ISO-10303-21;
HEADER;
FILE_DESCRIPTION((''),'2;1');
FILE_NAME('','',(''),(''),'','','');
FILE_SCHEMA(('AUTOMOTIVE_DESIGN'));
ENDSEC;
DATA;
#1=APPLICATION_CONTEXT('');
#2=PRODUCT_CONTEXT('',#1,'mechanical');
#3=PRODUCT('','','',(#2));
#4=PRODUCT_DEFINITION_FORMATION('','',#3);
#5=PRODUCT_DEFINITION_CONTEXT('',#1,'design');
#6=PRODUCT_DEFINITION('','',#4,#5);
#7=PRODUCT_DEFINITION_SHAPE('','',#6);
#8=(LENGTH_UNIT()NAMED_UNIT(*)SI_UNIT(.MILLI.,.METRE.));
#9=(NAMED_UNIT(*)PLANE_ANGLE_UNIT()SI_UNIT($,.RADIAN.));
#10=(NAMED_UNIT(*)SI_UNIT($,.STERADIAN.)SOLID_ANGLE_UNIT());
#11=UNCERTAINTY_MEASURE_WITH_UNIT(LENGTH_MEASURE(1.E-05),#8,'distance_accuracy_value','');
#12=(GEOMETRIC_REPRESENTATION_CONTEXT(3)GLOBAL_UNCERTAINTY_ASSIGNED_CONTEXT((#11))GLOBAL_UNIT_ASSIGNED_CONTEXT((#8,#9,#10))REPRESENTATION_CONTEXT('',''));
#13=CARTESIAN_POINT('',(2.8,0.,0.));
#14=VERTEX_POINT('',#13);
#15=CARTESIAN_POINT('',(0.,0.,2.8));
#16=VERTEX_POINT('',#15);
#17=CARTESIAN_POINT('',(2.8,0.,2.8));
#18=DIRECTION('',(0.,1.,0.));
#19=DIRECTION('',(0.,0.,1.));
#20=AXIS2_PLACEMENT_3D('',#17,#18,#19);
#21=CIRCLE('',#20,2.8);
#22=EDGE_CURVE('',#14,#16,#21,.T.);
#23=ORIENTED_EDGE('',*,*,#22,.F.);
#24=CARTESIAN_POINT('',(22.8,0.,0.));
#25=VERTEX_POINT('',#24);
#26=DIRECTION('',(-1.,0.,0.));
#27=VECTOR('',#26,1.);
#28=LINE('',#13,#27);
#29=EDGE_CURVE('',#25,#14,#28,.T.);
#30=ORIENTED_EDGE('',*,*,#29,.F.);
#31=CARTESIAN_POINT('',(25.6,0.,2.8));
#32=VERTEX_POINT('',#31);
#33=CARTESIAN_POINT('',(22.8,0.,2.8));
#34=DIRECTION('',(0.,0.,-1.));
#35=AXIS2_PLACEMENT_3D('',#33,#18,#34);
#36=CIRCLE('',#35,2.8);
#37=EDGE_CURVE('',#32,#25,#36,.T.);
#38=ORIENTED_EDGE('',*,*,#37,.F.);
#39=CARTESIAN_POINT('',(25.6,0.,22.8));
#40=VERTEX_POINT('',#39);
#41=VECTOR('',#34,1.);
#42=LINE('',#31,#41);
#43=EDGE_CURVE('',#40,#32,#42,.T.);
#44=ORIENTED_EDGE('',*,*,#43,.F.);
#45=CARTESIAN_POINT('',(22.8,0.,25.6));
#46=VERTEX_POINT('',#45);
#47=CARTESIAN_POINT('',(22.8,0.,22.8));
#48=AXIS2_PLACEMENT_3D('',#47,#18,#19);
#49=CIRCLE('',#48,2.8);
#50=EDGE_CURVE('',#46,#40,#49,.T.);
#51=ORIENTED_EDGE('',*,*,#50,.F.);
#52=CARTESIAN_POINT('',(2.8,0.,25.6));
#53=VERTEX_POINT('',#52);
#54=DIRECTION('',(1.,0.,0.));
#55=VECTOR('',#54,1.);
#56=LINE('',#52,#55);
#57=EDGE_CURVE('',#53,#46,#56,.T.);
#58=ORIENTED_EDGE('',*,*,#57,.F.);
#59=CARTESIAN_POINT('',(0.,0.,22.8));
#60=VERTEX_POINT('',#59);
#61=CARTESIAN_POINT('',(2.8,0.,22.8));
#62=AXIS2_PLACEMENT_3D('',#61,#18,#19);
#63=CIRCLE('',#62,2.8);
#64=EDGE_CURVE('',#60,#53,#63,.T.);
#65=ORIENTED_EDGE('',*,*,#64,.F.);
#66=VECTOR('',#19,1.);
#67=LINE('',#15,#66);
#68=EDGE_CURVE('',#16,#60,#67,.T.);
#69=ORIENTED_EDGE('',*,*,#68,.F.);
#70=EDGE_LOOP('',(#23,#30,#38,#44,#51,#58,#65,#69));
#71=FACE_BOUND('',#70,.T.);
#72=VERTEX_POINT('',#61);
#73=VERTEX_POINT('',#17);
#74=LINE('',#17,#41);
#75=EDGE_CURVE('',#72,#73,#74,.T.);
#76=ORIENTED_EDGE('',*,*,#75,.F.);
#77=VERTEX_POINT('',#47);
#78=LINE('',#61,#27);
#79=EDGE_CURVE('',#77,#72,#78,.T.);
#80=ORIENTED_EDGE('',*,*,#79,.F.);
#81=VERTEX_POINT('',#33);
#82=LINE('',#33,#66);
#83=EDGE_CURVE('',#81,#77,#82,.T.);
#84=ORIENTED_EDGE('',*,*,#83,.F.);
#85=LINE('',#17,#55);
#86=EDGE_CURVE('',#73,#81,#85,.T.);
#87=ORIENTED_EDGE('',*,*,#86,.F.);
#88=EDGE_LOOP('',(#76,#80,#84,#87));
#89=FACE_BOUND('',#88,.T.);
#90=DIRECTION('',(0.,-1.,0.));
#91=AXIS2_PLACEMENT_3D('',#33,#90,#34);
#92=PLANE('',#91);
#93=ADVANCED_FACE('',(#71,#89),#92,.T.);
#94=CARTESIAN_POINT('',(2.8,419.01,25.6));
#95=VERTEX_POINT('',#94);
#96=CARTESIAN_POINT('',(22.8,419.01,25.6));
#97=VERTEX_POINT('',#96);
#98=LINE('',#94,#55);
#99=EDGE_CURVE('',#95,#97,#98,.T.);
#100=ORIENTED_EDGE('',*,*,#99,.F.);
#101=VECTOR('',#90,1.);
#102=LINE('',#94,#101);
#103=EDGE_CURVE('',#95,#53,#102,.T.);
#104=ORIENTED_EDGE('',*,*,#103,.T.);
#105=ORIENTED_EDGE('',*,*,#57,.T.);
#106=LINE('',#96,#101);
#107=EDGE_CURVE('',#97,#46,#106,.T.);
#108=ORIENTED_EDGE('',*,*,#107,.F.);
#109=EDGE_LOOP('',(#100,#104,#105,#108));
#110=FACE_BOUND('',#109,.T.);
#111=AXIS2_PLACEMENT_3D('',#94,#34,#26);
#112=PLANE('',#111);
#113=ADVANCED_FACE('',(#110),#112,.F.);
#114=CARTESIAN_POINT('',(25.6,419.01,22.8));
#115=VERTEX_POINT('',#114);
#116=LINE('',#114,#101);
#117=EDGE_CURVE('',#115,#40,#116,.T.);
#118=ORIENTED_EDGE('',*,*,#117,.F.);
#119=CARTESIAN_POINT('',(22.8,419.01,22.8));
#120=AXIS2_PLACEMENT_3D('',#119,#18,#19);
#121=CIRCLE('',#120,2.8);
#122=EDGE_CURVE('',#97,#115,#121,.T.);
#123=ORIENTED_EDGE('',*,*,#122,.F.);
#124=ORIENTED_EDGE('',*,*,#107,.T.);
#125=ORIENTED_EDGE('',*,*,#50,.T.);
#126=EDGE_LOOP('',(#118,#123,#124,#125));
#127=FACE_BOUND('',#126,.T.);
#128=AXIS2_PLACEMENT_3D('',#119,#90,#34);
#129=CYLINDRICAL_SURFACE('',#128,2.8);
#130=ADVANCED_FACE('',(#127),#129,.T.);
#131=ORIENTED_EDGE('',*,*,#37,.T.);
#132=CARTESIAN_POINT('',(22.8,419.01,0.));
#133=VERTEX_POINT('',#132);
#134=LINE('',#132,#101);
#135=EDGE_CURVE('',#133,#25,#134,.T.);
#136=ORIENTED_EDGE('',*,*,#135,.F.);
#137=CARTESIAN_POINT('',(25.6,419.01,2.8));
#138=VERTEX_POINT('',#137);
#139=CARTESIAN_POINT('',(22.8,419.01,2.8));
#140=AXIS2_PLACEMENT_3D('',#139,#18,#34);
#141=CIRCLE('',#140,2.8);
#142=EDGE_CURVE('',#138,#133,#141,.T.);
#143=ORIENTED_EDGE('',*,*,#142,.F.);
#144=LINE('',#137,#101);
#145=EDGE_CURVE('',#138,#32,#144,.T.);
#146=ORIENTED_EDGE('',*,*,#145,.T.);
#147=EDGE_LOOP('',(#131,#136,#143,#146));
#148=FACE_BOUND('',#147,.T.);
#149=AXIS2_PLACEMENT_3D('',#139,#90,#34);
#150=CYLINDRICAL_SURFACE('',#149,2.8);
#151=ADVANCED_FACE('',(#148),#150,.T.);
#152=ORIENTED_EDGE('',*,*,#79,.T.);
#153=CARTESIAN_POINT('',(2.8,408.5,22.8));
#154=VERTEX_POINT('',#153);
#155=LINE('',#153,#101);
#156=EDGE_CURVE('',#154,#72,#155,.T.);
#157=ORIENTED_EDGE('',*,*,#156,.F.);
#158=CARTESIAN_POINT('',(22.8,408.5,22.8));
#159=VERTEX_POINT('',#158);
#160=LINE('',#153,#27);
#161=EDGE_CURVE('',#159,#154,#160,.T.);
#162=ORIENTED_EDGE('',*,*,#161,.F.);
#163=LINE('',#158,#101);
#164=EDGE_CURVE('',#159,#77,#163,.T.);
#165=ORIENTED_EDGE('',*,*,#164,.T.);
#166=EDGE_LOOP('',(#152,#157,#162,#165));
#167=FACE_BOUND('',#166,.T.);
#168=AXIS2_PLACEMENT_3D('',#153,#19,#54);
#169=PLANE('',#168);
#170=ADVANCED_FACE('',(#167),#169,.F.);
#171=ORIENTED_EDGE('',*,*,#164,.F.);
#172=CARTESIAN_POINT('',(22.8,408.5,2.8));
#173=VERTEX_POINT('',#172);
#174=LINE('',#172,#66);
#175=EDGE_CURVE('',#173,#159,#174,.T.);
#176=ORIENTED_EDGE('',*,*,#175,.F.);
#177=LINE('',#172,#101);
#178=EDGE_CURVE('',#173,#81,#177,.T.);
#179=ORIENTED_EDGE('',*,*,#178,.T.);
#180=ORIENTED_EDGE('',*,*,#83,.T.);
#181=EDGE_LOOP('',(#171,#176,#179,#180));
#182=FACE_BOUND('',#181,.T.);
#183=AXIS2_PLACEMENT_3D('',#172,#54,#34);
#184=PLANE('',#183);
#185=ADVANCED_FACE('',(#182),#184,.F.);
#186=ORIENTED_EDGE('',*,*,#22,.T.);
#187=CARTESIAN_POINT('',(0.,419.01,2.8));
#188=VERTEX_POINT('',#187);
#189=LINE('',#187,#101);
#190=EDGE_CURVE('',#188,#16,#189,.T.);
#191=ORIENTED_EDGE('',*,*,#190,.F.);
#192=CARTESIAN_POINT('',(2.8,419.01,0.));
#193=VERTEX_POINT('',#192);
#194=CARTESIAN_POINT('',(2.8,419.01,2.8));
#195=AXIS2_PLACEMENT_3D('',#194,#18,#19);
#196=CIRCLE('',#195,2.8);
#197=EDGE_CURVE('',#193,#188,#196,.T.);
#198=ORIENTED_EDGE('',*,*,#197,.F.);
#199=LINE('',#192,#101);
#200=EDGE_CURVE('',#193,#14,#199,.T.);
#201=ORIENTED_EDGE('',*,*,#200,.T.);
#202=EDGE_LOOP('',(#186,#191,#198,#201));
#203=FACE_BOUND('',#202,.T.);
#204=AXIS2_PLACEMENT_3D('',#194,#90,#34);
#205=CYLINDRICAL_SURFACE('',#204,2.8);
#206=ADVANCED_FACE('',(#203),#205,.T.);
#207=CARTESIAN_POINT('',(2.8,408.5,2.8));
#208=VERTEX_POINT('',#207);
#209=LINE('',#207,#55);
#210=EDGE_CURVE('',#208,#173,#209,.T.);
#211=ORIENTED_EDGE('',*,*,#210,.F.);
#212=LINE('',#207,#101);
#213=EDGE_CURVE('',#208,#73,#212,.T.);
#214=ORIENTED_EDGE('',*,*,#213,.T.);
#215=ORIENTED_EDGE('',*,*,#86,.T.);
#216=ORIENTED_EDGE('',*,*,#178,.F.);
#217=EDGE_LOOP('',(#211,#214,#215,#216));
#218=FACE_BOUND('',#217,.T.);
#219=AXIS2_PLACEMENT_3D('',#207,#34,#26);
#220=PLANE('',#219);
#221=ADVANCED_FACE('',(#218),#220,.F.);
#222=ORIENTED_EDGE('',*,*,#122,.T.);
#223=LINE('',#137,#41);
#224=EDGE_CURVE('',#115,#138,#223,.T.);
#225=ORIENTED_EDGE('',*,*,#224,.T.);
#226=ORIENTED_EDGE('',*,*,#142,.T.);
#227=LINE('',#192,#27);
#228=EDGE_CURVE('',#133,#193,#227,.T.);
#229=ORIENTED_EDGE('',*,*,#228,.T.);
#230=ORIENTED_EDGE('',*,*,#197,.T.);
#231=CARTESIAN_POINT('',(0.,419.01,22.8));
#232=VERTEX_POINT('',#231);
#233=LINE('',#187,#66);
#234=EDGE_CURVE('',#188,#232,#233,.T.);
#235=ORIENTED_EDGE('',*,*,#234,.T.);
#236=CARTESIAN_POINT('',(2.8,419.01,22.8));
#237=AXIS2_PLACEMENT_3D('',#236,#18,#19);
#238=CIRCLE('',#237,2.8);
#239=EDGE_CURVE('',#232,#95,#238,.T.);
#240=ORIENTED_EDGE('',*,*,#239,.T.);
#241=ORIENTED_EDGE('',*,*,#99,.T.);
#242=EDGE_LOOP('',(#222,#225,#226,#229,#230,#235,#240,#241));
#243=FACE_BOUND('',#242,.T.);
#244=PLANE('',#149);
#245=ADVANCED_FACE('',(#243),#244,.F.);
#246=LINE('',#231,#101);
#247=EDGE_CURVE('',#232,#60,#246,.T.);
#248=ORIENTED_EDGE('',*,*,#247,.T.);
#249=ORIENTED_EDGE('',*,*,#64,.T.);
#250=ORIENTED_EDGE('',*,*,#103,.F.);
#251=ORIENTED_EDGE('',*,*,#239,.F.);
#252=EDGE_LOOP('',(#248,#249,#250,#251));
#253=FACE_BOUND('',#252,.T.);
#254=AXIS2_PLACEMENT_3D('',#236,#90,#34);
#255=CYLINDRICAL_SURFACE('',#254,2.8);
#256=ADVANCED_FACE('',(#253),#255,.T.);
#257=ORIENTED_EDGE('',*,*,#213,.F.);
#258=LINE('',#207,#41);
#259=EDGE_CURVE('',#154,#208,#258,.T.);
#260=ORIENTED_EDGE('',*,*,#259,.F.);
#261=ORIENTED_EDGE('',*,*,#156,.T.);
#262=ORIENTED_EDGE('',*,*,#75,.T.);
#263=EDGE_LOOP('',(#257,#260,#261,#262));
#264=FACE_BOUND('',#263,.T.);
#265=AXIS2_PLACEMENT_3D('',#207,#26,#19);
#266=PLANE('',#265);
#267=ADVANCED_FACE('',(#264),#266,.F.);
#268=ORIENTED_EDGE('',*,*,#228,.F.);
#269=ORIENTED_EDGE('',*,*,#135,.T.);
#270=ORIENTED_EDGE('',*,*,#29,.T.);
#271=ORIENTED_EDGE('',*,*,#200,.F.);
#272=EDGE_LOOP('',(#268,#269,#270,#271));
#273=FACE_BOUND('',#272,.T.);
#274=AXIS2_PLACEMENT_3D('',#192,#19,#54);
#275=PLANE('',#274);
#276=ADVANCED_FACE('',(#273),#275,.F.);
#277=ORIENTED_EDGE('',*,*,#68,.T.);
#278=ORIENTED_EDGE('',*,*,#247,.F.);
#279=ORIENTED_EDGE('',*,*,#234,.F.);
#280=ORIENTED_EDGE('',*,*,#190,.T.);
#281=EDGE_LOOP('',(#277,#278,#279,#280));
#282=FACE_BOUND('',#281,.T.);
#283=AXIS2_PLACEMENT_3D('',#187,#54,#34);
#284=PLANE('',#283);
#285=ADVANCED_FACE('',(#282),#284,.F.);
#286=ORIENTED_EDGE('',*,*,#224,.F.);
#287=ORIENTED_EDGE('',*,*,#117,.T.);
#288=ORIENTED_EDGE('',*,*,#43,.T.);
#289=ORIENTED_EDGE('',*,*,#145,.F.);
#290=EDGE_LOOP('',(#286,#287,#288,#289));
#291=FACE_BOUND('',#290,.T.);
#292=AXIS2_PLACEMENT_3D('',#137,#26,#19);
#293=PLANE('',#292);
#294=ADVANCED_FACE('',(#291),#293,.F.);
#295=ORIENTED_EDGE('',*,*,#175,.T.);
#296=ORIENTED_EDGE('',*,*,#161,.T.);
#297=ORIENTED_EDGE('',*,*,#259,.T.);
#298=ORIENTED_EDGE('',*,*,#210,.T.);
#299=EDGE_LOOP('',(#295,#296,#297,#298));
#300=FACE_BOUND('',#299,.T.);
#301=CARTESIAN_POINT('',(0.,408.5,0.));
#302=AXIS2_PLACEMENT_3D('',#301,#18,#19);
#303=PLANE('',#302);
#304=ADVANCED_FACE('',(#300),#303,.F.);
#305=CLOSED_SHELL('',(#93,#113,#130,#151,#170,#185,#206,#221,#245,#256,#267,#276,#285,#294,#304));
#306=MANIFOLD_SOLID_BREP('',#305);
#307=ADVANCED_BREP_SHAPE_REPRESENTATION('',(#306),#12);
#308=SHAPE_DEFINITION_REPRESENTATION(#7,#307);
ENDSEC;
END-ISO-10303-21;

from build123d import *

# Parameters (mm, degrees)
BOSS_EXTRUDE1_DEPTH = 419.01
SKETCH3_W           = 20
SKETCH3_H           = 20
CUT_EXTRUDE1_DEPTH  = 408.5


with BuildPart() as part:
    # Sketch1 → Boss-Extrude1 (new body)
    with BuildSketch(Plane(origin=(0, 0, 0), x_dir=(1, 0, 0), z_dir=(0, 1, 0))):
        with BuildLine():
            Line((2.8, 0), (22.8, 0))
            ThreePointArc((22.8, 0), (24.779898987, -0.820101013), (25.6, -2.8))
            Line((25.6, -2.8), (25.6, -22.8))
            ThreePointArc((25.6, -22.8), (24.779898987, -24.779898987), (22.8, -25.6))
            Line((22.8, -25.6), (2.8, -25.6))
            ThreePointArc((2.8, -25.6), (0.820101013, -24.779898987), (0, -22.8))
            Line((0, -22.8), (0, -2.8))
            ThreePointArc((0, -2.8), (0.820101013, -0.820101013), (2.8, 0))
        make_face()
    extrude(amount=BOSS_EXTRUDE1_DEPTH)

    # Sketch3 → Cut-Extrude1 (cut)
    with BuildSketch(Plane(origin=(0, 0, 0), x_dir=(-1, 0, 0), z_dir=(0, -1, 0))):
        with Locations((-12.8, -12.8)):
            Rectangle(SKETCH3_W, SKETCH3_H)
    extrude(amount=-CUT_EXTRUDE1_DEPTH, mode=Mode.SUBTRACT)


solid = part.part
